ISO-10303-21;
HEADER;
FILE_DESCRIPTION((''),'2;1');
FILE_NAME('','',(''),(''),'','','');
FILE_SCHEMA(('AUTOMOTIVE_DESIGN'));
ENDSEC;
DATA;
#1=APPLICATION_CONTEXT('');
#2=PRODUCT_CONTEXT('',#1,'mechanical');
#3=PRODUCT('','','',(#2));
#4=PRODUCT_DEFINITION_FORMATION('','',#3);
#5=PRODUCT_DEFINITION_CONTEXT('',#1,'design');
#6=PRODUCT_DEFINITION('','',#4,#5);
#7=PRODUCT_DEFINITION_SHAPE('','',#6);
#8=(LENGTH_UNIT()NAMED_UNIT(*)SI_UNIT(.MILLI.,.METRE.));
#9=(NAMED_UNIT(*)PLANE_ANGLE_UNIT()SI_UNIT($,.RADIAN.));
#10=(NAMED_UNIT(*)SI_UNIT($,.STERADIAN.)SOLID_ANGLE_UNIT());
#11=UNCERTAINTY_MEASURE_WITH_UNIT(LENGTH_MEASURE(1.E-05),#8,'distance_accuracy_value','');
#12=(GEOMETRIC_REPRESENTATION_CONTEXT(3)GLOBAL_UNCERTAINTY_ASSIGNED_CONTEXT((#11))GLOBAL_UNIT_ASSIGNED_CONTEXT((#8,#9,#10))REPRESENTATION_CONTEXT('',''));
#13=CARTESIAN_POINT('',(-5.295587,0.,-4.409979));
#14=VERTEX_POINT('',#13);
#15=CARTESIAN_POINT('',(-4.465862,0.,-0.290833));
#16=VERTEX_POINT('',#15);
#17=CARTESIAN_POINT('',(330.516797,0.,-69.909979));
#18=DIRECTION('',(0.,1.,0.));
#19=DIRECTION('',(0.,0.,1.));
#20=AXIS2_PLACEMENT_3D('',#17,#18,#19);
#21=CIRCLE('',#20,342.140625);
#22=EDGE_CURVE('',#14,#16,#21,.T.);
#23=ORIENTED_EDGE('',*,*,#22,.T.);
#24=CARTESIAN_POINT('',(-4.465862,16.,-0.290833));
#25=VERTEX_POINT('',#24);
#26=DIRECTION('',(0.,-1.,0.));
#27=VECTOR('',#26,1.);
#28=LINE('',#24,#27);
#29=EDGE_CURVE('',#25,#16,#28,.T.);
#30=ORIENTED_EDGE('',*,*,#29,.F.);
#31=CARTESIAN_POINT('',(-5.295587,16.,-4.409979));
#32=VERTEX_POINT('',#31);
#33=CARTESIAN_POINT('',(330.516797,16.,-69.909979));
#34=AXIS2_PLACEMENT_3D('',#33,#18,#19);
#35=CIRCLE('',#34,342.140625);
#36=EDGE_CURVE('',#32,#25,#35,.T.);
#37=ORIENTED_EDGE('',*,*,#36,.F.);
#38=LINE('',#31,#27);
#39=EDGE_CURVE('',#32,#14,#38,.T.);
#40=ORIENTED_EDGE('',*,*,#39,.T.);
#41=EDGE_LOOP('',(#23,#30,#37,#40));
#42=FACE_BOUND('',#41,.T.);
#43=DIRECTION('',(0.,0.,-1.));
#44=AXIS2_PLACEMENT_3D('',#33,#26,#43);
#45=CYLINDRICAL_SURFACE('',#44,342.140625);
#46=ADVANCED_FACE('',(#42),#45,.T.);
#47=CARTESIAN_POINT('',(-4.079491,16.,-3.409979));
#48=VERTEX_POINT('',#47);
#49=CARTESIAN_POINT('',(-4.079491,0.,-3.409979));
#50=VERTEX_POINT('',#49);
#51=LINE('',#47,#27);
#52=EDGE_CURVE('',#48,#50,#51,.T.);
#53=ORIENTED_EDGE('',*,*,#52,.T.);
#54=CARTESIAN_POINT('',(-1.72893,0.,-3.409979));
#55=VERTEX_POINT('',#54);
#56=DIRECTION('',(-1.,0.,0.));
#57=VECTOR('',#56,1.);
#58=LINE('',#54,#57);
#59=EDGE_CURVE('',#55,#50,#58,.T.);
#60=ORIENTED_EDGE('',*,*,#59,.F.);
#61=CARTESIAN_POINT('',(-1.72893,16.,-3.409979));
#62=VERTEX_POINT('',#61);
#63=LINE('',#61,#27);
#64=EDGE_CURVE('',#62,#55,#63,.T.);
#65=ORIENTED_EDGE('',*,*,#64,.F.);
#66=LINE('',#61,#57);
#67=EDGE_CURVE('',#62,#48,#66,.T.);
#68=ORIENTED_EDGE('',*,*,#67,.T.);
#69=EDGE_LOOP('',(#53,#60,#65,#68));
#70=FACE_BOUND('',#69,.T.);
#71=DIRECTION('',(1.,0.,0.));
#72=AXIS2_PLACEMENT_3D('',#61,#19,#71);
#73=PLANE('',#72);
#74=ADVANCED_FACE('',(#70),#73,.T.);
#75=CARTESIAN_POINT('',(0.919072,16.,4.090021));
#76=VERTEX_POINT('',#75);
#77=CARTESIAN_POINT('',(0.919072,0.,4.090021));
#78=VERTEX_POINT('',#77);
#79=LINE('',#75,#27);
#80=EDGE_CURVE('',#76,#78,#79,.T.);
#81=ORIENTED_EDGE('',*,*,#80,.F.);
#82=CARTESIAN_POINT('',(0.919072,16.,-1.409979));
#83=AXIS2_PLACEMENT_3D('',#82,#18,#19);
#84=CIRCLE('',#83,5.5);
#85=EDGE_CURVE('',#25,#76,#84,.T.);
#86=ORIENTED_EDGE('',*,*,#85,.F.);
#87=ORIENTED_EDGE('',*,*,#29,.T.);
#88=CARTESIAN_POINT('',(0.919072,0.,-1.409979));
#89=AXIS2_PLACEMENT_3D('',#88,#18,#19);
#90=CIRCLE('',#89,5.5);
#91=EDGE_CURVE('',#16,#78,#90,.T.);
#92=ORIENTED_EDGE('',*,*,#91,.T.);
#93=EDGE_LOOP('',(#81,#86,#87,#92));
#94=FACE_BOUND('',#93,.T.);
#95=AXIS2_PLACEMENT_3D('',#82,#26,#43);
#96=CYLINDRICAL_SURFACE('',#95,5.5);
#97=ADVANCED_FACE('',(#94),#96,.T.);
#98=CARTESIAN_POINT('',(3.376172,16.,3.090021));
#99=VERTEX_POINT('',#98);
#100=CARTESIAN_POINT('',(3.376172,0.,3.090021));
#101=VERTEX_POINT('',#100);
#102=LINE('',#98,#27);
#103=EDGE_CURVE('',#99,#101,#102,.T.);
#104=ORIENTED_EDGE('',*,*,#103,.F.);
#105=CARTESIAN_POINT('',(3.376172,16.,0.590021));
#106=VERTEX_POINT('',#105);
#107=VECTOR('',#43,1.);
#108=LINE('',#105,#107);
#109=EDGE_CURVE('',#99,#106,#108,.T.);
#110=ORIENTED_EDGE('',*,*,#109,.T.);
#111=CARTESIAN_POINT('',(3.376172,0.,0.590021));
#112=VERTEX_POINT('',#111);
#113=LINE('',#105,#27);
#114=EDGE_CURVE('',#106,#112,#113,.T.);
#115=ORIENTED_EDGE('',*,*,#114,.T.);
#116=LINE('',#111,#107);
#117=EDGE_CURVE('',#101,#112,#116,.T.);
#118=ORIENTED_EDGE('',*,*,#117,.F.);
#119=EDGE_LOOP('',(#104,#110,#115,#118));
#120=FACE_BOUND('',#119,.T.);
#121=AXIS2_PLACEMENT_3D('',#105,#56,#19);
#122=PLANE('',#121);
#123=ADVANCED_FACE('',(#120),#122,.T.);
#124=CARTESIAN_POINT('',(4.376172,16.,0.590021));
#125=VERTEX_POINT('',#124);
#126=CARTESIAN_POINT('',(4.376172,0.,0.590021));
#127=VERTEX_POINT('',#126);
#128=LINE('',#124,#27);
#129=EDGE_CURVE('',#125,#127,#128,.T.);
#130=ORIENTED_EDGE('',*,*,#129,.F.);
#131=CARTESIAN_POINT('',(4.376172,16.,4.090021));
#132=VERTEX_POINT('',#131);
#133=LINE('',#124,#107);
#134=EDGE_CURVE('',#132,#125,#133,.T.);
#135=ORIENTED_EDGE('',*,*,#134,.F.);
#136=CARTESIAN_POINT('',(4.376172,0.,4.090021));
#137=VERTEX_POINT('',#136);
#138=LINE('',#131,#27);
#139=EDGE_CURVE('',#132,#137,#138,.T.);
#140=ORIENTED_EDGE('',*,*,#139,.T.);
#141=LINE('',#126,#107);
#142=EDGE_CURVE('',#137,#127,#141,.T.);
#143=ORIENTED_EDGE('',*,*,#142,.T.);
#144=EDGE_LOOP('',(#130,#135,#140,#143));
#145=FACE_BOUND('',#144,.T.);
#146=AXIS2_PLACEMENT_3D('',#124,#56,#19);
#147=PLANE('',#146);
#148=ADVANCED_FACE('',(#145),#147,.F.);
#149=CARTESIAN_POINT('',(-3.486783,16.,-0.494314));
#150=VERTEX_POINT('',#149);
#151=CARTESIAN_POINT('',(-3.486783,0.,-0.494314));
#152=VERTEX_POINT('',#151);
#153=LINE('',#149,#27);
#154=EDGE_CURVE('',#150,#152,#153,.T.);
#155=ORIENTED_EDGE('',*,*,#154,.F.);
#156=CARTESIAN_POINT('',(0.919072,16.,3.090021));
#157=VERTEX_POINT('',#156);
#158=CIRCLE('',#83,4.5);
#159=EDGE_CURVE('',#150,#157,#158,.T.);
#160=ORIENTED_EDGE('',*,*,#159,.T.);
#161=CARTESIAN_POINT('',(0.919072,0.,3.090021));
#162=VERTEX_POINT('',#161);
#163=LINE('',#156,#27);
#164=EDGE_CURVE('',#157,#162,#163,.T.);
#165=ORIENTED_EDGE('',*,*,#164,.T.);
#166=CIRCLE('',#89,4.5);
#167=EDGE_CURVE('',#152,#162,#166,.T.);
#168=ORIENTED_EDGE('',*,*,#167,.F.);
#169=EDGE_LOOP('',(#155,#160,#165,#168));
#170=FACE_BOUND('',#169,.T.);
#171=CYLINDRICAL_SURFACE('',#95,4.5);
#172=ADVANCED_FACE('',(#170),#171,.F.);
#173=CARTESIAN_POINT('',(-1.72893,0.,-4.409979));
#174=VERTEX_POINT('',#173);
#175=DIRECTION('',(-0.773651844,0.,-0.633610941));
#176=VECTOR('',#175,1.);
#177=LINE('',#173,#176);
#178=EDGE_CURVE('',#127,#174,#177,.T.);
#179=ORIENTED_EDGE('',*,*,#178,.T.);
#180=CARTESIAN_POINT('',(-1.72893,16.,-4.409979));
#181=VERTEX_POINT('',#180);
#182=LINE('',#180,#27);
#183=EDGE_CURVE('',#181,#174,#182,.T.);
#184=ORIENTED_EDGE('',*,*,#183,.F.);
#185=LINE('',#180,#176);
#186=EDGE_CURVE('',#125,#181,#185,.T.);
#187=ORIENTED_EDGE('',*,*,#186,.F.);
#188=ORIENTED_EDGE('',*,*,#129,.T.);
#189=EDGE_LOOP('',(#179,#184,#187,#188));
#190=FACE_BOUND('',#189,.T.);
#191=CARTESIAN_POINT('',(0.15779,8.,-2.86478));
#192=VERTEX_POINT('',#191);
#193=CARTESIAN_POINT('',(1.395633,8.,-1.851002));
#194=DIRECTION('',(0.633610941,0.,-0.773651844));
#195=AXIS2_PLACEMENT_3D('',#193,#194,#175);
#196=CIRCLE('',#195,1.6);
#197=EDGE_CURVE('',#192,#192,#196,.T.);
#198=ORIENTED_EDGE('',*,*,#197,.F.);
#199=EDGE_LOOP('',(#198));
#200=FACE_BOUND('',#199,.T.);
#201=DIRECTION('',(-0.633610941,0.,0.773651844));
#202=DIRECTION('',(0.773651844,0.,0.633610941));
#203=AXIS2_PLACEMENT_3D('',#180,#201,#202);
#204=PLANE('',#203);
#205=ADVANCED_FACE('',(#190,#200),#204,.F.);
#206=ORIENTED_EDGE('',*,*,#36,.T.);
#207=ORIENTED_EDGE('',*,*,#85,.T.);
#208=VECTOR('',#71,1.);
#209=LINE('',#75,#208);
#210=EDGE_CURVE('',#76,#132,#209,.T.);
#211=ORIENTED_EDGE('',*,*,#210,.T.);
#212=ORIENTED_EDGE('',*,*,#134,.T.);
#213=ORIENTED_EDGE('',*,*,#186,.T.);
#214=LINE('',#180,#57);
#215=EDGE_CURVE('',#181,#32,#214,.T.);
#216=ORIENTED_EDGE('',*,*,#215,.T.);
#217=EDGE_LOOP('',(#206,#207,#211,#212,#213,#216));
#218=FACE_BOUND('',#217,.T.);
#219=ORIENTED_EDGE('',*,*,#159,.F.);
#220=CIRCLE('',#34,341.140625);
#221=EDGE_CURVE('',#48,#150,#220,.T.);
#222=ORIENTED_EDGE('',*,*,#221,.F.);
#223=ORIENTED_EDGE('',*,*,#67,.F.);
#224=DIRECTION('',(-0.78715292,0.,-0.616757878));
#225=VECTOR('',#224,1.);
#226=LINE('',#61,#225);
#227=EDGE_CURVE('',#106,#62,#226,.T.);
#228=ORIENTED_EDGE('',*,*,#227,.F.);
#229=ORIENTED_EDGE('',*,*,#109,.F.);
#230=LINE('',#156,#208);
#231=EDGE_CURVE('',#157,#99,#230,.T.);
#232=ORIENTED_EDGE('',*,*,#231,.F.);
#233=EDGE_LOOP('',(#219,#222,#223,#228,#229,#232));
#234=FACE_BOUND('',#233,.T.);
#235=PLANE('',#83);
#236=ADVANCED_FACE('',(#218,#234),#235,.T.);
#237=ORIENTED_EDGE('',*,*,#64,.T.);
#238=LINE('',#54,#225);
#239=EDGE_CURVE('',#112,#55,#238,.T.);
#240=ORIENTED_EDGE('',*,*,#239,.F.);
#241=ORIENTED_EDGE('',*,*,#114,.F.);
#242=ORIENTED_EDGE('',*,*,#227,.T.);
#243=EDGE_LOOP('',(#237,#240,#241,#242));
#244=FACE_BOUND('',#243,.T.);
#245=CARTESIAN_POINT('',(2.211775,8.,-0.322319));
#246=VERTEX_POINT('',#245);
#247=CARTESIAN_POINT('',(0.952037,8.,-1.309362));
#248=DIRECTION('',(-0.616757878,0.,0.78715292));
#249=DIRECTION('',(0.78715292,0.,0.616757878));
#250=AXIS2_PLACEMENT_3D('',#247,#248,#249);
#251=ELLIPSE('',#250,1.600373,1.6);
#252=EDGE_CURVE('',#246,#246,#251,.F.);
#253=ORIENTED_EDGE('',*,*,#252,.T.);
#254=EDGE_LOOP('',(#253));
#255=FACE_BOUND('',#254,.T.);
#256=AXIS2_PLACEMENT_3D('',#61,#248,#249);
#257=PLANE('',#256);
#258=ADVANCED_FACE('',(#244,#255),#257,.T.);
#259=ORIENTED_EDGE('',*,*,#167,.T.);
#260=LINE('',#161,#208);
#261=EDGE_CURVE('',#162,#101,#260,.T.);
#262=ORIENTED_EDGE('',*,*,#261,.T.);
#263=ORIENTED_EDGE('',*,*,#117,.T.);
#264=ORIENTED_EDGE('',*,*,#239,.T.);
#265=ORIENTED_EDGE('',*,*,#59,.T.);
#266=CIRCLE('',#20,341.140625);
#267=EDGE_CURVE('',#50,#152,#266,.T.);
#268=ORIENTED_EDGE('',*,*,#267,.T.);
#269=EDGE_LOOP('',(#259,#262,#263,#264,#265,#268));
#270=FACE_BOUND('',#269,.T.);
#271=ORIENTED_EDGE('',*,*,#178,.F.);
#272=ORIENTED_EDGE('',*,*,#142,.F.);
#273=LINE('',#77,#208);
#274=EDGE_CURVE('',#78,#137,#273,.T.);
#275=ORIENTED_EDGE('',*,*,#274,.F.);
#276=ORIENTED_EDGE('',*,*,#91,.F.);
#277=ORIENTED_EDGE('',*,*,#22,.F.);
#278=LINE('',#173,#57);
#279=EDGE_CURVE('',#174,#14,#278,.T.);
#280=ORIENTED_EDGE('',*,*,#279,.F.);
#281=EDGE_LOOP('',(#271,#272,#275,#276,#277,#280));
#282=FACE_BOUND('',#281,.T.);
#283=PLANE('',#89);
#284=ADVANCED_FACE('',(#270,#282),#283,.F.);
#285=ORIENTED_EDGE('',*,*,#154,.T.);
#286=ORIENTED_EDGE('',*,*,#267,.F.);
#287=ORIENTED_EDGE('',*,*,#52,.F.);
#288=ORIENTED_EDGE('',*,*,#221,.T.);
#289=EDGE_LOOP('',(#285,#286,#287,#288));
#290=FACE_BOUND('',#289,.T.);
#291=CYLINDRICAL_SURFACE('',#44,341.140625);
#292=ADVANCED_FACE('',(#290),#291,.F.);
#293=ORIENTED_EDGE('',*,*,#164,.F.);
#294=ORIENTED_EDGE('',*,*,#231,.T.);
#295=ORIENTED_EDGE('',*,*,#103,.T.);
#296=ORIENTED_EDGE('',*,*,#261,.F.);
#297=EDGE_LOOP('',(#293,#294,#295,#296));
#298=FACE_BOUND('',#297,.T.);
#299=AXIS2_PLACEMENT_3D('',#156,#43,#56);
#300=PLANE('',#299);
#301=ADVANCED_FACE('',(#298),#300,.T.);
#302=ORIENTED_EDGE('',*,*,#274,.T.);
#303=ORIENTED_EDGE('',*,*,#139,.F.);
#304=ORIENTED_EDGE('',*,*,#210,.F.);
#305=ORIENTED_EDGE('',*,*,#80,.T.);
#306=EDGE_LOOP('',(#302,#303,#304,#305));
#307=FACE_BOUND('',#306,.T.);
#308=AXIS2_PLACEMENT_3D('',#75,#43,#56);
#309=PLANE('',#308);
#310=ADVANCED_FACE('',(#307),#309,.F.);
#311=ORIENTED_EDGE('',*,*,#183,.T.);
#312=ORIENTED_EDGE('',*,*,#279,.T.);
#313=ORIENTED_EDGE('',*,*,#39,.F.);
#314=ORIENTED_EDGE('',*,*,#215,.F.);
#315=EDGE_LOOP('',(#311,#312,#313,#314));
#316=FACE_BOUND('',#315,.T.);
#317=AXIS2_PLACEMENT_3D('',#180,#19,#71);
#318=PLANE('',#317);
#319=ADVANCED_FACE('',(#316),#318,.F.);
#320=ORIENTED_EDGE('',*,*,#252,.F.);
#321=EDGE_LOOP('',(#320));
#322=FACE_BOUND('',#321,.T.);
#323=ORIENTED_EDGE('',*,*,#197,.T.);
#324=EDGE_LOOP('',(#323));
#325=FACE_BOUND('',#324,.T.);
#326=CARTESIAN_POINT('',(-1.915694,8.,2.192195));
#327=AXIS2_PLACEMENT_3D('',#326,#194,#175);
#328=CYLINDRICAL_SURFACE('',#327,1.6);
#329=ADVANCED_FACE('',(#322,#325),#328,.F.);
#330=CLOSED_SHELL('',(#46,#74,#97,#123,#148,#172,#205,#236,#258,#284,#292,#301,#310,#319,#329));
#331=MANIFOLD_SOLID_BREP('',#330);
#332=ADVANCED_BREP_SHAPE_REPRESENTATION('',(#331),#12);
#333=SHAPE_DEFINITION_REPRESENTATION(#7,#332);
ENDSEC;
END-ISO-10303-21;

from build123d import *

# Parameters (mm, degrees)
BOSS_EXTRUDE1_DEPTH = 16
CUT_EXTRUDE1_REACH  = 10.836
SKETCH2_R           = 1.6


with BuildPart() as part:
    # Sketch1 → Boss-Extrude1 (new body)
    with BuildSketch(Plane(origin=(0, 0, 0), x_dir=(1, 0, 0), z_dir=(0, 1, 0))):
        with BuildLine():
            Line((-1.728929985, 4.409979173), (-5.295587342, 4.409979173))
            ThreePointArc((-5.295587342, 4.409979173), (-4.887048333, 2.349132427), (-4.465862239, 0.290833199))
            ThreePointArc((-4.465862239, 0.290833199), (-2.551857479, -2.856477369), (0.919071585, -4.090020827))
            Line((0.919071585, -4.090020827), (4.376171699, -4.090020827))
            Line((4.376171699, -4.090020827), (4.376171699, -0.590020827))
            Line((4.376171699, -0.590020827), (-1.728929985, 4.409979173))
        make_face()
        with BuildLine():
            Line((-1.728929985, 3.409979173), (3.376171699, -0.590020827))
            Line((3.376171699, -0.590020827), (3.376171699, -3.090020827))
            Line((3.376171699, -3.090020827), (0.919071585, -3.090020827))
            ThreePointArc((0.919071585, -3.090020827), (-1.920779468, -2.080757998), (-3.486783362, 0.494314286))
            ThreePointArc((-3.486783362, 0.494314286), (-3.786316073, 1.951500554), (-4.079491423, 3.409979173))
            Line((-4.079491423, 3.409979173), (-1.728929985, 3.409979173))
        make_face(mode=Mode.SUBTRACT)
    extrude(amount=BOSS_EXTRUDE1_DEPTH)

    # Cut-Extrude1: up to this face of the body (flat: up to its plane)
    cut_extrude1_end = Plane(part.part.faces().sort_by_distance((0.823620857, 8, -1.409979173))[0])
    # Sketch2 → Cut-Extrude1 (cut, up to the picked face)
    with BuildSketch(Plane(origin=(1.467645419, 0, -1.792024904), x_dir=(-0.773651844, 0, -0.633610941), z_dir=(0.633610941, 0, -0.773651844)), mode=Mode.PRIVATE) as cut_extrude1_sk1:
        with Locations((0.093080992, 8)):
            Circle(SKETCH2_R)
    cut_extrude1_tool1 = split(extrude(cut_extrude1_sk1.sketch, amount=-CUT_EXTRUDE1_REACH, mode=Mode.PRIVATE), bisect_by=cut_extrude1_end, keep=Keep.BOTH, mode=Mode.PRIVATE)
    add(cut_extrude1_tool1.solids().sort_by_distance((1.395633, 8, -1.851002))[0], mode=Mode.SUBTRACT)


solid = part.part
